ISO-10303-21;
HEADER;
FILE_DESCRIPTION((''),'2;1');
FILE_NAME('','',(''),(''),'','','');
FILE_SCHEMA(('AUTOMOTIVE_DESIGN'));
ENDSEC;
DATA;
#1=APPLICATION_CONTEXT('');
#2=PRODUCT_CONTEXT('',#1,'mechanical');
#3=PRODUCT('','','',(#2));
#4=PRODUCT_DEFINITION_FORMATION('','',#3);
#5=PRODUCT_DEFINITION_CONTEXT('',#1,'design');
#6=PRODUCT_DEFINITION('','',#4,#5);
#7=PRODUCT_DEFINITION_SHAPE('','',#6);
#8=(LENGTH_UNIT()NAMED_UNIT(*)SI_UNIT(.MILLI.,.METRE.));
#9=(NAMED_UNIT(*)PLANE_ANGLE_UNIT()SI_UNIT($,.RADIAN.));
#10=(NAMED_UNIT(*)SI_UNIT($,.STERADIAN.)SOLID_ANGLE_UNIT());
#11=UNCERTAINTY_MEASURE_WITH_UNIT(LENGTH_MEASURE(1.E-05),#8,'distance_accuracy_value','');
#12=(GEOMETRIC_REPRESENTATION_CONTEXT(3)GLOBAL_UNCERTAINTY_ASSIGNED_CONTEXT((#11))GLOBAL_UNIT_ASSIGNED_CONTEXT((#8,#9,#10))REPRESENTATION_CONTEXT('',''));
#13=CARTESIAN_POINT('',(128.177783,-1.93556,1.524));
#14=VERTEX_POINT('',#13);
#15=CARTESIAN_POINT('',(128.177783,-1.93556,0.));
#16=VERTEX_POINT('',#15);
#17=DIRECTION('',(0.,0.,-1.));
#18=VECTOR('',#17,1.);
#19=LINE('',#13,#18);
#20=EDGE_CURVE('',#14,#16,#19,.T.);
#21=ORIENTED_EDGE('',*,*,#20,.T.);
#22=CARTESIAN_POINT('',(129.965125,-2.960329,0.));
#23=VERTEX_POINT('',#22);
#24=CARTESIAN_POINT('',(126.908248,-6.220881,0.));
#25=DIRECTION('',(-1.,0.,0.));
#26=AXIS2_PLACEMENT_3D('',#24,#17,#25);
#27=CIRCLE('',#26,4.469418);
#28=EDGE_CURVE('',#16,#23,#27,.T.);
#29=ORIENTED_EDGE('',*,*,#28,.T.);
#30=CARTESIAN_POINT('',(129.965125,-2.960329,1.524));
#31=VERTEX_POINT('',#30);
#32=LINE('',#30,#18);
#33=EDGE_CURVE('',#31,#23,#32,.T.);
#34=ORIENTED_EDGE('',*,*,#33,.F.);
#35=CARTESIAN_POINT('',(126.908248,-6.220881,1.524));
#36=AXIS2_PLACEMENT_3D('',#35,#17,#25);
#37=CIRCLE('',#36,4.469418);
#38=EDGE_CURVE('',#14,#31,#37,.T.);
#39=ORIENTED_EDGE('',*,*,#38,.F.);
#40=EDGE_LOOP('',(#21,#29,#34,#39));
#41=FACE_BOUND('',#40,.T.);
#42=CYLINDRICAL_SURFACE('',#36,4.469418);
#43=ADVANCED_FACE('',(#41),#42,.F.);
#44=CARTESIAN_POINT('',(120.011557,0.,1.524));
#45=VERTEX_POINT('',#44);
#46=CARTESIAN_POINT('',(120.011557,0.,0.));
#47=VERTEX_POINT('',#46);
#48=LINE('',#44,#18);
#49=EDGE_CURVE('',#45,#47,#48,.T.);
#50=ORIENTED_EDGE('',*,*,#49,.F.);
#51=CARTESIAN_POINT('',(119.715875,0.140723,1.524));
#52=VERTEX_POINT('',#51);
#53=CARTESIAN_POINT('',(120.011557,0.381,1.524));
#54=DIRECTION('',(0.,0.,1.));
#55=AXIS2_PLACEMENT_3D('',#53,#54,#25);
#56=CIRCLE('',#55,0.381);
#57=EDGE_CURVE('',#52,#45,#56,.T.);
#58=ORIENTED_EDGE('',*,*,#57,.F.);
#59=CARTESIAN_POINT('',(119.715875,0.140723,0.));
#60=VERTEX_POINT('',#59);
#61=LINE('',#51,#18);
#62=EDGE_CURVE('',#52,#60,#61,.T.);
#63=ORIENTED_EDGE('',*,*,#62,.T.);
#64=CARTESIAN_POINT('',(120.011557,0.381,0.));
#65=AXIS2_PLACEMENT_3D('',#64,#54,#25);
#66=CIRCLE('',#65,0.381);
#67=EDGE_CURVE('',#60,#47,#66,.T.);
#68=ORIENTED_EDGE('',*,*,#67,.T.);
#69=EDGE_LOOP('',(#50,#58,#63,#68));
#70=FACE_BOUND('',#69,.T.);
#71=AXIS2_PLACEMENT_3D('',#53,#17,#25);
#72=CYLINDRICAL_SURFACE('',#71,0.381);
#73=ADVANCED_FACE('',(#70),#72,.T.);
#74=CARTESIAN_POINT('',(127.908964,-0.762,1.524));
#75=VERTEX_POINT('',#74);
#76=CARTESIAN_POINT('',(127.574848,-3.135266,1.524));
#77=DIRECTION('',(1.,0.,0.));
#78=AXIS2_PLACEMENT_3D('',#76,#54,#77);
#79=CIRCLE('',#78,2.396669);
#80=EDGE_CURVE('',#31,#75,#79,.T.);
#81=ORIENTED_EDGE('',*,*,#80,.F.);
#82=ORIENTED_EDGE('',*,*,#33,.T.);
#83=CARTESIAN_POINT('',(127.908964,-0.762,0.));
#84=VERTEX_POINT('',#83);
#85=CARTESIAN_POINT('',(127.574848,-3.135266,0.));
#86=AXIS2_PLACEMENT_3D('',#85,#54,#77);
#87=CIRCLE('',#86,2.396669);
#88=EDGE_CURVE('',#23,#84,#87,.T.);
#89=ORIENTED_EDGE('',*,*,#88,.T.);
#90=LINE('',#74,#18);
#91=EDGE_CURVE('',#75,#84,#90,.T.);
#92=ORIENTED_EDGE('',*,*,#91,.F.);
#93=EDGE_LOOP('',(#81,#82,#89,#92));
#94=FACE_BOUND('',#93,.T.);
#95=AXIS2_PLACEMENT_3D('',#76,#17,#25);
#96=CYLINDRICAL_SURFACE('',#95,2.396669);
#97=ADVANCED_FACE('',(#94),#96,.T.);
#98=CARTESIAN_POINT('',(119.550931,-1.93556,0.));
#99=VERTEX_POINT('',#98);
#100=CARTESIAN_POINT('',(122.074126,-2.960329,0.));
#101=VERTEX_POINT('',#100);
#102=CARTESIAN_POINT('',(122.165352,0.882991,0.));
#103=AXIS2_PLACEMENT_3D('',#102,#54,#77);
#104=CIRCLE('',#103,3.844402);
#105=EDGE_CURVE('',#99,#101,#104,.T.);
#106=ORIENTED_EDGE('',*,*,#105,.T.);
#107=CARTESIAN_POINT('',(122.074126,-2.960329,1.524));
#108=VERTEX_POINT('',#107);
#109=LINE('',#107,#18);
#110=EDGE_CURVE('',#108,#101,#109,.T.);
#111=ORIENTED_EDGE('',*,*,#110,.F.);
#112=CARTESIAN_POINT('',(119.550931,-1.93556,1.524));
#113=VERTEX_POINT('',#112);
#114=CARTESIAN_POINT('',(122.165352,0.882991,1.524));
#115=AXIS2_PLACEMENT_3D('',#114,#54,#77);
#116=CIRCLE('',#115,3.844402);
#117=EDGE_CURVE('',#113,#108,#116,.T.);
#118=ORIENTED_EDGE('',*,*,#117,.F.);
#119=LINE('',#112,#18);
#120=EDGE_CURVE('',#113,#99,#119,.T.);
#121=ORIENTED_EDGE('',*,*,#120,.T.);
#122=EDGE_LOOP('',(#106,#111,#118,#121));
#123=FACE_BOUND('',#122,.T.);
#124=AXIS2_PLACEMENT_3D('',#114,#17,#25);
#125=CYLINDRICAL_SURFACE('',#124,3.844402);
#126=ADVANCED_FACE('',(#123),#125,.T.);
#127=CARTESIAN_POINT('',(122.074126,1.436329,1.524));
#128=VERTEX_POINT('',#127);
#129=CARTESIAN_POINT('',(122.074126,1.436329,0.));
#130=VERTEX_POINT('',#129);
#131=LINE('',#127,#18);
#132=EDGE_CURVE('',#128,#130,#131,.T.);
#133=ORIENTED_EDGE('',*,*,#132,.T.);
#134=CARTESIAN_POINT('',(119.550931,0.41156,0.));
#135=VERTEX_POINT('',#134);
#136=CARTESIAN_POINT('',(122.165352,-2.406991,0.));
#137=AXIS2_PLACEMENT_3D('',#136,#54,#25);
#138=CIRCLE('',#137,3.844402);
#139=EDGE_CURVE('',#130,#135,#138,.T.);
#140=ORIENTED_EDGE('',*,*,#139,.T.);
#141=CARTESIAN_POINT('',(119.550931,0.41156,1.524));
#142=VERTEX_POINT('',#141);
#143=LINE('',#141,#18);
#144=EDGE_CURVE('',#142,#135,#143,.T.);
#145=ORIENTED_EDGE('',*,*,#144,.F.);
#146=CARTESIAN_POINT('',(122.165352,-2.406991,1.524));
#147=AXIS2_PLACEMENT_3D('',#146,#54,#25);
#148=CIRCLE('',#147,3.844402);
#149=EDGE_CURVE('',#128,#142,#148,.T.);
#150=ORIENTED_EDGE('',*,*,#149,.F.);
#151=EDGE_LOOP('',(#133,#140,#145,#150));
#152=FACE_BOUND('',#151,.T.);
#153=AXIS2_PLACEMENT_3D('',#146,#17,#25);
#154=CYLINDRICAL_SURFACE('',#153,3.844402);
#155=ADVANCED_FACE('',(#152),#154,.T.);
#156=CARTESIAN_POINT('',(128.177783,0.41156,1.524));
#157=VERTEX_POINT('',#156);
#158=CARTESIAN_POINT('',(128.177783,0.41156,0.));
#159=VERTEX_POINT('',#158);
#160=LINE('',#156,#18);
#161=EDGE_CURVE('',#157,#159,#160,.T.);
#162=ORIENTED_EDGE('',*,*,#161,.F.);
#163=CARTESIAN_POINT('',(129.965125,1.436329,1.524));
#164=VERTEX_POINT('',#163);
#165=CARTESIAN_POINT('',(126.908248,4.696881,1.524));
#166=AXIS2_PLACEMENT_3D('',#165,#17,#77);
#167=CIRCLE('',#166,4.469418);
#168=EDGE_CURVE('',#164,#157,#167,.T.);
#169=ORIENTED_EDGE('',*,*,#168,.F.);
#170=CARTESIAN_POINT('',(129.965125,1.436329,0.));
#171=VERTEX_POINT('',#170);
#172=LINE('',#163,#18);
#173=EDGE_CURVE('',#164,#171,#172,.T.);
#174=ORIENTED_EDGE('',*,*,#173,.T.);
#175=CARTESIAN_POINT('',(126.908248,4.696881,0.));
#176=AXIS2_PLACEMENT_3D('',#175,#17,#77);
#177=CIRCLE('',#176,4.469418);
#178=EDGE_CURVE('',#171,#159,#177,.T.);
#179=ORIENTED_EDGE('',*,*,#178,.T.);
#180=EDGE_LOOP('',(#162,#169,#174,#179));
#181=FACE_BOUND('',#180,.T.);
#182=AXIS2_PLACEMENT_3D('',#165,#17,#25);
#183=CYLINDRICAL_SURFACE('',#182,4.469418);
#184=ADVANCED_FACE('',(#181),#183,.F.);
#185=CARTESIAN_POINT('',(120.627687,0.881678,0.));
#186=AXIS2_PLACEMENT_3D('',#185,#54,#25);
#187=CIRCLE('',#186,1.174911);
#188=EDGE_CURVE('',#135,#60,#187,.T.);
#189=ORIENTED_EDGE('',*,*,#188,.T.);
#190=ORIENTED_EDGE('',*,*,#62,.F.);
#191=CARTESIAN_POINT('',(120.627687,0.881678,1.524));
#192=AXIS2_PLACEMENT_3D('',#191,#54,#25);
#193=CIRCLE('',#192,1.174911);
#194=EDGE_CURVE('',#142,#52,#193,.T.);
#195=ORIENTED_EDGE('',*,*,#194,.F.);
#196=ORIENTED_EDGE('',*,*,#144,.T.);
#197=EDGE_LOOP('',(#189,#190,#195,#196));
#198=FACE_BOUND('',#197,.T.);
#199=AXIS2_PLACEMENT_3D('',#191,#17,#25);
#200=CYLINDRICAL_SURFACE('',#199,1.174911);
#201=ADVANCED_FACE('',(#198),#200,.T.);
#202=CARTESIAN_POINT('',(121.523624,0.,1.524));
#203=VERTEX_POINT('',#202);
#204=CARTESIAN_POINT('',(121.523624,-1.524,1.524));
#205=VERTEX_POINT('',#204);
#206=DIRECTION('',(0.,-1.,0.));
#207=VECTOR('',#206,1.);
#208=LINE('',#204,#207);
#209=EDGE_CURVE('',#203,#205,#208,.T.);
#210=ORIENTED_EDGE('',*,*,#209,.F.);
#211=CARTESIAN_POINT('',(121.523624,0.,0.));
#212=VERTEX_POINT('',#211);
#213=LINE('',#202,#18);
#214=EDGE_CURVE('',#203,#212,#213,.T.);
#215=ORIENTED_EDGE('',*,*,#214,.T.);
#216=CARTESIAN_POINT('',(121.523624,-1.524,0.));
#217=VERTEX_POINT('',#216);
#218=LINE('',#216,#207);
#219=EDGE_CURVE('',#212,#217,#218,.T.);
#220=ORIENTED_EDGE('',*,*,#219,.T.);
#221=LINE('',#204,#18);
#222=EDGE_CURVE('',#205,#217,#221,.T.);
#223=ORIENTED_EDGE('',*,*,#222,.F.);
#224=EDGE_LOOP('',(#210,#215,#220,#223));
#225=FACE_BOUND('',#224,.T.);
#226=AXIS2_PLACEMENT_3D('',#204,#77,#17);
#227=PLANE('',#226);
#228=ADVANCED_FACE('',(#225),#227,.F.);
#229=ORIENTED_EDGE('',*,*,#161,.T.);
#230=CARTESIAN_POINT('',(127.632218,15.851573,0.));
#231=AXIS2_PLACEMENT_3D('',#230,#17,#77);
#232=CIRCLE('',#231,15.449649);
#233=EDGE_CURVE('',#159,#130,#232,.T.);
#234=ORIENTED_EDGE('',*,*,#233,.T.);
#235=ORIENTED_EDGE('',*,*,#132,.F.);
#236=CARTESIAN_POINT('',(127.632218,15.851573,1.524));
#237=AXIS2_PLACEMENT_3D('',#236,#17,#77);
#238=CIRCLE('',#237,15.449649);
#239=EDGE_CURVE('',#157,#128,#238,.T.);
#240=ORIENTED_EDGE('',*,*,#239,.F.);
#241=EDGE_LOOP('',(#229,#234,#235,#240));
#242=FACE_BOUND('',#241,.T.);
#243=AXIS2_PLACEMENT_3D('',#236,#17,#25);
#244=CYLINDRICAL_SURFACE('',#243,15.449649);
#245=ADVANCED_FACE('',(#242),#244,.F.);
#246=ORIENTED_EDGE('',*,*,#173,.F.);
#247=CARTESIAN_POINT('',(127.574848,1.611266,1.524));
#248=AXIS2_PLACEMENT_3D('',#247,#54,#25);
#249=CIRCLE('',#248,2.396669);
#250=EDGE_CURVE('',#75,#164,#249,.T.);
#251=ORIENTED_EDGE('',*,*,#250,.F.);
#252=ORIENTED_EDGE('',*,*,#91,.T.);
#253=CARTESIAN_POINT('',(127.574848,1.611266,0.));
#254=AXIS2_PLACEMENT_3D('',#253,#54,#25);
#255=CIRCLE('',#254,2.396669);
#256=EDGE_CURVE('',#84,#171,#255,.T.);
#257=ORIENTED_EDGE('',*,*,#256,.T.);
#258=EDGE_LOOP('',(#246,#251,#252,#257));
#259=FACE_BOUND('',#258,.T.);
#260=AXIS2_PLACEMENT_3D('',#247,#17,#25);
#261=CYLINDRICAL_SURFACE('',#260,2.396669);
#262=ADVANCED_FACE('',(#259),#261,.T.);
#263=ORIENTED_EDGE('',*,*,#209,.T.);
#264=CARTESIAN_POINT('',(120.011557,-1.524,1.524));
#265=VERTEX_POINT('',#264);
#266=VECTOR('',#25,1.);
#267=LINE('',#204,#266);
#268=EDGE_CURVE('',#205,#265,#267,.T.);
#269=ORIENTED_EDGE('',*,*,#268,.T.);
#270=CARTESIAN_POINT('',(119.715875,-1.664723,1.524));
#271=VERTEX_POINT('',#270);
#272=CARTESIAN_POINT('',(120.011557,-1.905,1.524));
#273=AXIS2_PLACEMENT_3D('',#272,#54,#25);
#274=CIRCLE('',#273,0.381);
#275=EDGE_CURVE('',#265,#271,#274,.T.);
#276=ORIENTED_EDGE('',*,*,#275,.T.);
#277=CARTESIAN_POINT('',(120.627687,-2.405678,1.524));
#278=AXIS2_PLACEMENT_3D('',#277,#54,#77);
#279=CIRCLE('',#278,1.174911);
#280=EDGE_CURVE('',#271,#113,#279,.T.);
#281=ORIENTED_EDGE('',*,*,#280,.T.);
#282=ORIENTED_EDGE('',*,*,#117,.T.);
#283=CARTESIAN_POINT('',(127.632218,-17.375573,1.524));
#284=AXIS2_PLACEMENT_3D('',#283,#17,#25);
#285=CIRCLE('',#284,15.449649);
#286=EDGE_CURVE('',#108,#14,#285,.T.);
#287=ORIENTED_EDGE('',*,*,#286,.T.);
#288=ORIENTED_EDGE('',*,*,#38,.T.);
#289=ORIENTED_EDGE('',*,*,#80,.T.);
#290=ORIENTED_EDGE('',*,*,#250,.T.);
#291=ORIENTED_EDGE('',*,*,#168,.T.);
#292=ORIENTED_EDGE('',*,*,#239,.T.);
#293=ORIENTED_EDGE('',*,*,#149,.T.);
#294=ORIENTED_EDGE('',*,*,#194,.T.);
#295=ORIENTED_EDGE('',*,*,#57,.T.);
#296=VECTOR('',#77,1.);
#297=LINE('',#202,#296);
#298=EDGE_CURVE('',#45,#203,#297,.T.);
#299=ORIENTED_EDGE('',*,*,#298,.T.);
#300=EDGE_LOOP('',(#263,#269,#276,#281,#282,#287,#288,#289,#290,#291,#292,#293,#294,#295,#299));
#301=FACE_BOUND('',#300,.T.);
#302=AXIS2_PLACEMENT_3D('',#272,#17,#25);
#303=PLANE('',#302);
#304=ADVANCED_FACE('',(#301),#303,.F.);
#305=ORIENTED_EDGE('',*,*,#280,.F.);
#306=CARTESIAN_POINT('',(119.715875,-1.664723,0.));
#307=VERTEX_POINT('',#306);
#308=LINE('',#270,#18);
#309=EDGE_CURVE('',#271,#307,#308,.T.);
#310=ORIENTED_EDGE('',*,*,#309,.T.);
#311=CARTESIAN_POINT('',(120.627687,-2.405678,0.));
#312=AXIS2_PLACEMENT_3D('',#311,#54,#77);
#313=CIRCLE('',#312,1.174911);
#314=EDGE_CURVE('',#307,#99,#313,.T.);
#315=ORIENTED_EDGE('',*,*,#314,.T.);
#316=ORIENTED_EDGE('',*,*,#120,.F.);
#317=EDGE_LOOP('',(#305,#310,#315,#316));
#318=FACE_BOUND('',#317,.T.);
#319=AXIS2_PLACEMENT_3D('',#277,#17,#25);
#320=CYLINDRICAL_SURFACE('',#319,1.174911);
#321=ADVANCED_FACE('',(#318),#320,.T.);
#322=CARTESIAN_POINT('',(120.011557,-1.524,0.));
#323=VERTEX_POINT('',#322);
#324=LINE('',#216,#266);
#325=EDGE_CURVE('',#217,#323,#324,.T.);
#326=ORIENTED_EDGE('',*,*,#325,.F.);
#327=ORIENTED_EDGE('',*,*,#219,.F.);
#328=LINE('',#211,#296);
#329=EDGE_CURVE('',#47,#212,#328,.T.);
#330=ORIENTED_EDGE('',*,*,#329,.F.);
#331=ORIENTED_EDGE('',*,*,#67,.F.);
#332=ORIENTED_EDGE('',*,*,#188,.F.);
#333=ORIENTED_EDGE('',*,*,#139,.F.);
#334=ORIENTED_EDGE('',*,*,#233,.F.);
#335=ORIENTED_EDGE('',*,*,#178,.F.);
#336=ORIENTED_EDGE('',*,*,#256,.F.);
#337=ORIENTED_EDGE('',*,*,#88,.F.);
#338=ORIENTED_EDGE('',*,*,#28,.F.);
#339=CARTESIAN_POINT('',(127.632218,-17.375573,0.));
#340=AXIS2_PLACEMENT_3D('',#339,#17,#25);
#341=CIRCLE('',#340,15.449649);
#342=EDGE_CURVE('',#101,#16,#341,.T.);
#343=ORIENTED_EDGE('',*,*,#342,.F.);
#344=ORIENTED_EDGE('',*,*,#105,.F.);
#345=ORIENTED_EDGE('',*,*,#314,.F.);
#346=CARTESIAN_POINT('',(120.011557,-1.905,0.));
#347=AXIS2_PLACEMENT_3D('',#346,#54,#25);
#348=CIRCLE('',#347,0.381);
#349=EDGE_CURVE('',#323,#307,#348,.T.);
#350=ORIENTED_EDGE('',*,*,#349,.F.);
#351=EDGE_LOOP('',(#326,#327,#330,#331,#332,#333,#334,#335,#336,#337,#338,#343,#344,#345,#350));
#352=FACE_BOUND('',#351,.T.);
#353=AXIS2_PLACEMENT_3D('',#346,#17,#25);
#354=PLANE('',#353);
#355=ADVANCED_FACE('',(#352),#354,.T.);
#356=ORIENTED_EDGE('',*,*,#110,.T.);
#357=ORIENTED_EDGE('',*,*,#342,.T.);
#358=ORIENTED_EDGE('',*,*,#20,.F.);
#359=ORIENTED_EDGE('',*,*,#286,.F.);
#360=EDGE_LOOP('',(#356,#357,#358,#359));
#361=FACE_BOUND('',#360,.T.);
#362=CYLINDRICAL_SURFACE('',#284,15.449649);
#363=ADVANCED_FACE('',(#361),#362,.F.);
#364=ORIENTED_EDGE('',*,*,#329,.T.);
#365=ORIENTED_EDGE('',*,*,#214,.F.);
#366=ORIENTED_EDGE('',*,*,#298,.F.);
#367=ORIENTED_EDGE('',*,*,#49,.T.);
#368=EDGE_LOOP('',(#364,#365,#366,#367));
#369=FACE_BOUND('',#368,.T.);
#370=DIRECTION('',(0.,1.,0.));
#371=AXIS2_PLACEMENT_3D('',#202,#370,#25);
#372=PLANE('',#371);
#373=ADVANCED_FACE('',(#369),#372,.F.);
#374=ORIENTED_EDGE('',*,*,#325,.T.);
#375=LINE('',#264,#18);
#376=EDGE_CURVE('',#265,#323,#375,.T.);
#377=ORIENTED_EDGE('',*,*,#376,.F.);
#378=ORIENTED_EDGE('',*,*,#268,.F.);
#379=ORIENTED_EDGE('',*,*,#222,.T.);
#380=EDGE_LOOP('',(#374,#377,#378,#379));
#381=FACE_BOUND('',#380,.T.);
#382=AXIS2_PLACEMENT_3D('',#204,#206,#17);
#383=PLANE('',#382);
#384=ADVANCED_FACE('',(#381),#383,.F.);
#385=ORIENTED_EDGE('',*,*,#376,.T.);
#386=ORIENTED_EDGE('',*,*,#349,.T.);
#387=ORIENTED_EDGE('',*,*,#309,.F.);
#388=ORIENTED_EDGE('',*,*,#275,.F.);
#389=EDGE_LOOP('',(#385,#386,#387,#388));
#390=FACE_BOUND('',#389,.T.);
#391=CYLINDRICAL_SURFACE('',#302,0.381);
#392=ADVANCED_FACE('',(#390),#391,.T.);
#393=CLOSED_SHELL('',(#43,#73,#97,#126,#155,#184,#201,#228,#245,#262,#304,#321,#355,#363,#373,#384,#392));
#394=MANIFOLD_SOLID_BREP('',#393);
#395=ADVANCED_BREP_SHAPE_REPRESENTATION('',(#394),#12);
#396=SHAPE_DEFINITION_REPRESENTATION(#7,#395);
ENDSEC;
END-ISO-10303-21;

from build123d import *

# Parameters (mm, degrees)
BOSS_EXTRUDE1_DEPTH = 1.524


with BuildPart() as part:
    # Sketch1 → Boss-Extrude1 (new body)
    with BuildSketch(Plane.XY):
        with BuildLine():
            Line((121.523623664, 0), (120.01155741, 0))
            ThreePointArc((120.01155741, 0), (119.847826563, 0.036974987), (119.71587496, 0.140723308))
            ThreePointArc((119.71587496, 0.140723308), (119.624223582, 0.270551073), (119.550930958, 0.411559635))
            ThreePointArc((119.550930958, 0.411559635), (120.718745933, 1.154856432), (122.0741261, 1.436328542))
            ThreePointArc((122.0741261, 1.436328542), (125.07411423, 0.615177069), (128.177782779, 0.411559635))
            ThreePointArc((128.177782779, 0.411559635), (129.131308323, 0.819549331), (129.965124825, 1.436328542))
            ThreePointArc((129.965124825, 1.436328542), (129.325202776, -0.025891409), (127.908964253, -0.762))
            ThreePointArc((127.908964253, -0.762), (129.325202776, -1.498108591), (129.965124825, -2.960328542))
            ThreePointArc((129.965124825, -2.960328542), (129.131308323, -2.343549331), (128.177782779, -1.935559635))
            ThreePointArc((128.177782779, -1.935559635), (125.07411423, -2.139177069), (122.0741261, -2.960328542))
            ThreePointArc((122.0741261, -2.960328542), (120.718745933, -2.678856432), (119.550930958, -1.935559635))
            ThreePointArc((119.550930958, -1.935559635), (119.624223582, -1.794551073), (119.71587496, -1.664723308))
            ThreePointArc((119.71587496, -1.664723308), (119.847826563, -1.560974987), (120.01155741, -1.524))
            Line((120.01155741, -1.524), (121.523623664, -1.524))
            Line((121.523623664, -1.524), (121.523623664, 0))
        make_face()
    extrude(amount=BOSS_EXTRUDE1_DEPTH)


solid = part.part
